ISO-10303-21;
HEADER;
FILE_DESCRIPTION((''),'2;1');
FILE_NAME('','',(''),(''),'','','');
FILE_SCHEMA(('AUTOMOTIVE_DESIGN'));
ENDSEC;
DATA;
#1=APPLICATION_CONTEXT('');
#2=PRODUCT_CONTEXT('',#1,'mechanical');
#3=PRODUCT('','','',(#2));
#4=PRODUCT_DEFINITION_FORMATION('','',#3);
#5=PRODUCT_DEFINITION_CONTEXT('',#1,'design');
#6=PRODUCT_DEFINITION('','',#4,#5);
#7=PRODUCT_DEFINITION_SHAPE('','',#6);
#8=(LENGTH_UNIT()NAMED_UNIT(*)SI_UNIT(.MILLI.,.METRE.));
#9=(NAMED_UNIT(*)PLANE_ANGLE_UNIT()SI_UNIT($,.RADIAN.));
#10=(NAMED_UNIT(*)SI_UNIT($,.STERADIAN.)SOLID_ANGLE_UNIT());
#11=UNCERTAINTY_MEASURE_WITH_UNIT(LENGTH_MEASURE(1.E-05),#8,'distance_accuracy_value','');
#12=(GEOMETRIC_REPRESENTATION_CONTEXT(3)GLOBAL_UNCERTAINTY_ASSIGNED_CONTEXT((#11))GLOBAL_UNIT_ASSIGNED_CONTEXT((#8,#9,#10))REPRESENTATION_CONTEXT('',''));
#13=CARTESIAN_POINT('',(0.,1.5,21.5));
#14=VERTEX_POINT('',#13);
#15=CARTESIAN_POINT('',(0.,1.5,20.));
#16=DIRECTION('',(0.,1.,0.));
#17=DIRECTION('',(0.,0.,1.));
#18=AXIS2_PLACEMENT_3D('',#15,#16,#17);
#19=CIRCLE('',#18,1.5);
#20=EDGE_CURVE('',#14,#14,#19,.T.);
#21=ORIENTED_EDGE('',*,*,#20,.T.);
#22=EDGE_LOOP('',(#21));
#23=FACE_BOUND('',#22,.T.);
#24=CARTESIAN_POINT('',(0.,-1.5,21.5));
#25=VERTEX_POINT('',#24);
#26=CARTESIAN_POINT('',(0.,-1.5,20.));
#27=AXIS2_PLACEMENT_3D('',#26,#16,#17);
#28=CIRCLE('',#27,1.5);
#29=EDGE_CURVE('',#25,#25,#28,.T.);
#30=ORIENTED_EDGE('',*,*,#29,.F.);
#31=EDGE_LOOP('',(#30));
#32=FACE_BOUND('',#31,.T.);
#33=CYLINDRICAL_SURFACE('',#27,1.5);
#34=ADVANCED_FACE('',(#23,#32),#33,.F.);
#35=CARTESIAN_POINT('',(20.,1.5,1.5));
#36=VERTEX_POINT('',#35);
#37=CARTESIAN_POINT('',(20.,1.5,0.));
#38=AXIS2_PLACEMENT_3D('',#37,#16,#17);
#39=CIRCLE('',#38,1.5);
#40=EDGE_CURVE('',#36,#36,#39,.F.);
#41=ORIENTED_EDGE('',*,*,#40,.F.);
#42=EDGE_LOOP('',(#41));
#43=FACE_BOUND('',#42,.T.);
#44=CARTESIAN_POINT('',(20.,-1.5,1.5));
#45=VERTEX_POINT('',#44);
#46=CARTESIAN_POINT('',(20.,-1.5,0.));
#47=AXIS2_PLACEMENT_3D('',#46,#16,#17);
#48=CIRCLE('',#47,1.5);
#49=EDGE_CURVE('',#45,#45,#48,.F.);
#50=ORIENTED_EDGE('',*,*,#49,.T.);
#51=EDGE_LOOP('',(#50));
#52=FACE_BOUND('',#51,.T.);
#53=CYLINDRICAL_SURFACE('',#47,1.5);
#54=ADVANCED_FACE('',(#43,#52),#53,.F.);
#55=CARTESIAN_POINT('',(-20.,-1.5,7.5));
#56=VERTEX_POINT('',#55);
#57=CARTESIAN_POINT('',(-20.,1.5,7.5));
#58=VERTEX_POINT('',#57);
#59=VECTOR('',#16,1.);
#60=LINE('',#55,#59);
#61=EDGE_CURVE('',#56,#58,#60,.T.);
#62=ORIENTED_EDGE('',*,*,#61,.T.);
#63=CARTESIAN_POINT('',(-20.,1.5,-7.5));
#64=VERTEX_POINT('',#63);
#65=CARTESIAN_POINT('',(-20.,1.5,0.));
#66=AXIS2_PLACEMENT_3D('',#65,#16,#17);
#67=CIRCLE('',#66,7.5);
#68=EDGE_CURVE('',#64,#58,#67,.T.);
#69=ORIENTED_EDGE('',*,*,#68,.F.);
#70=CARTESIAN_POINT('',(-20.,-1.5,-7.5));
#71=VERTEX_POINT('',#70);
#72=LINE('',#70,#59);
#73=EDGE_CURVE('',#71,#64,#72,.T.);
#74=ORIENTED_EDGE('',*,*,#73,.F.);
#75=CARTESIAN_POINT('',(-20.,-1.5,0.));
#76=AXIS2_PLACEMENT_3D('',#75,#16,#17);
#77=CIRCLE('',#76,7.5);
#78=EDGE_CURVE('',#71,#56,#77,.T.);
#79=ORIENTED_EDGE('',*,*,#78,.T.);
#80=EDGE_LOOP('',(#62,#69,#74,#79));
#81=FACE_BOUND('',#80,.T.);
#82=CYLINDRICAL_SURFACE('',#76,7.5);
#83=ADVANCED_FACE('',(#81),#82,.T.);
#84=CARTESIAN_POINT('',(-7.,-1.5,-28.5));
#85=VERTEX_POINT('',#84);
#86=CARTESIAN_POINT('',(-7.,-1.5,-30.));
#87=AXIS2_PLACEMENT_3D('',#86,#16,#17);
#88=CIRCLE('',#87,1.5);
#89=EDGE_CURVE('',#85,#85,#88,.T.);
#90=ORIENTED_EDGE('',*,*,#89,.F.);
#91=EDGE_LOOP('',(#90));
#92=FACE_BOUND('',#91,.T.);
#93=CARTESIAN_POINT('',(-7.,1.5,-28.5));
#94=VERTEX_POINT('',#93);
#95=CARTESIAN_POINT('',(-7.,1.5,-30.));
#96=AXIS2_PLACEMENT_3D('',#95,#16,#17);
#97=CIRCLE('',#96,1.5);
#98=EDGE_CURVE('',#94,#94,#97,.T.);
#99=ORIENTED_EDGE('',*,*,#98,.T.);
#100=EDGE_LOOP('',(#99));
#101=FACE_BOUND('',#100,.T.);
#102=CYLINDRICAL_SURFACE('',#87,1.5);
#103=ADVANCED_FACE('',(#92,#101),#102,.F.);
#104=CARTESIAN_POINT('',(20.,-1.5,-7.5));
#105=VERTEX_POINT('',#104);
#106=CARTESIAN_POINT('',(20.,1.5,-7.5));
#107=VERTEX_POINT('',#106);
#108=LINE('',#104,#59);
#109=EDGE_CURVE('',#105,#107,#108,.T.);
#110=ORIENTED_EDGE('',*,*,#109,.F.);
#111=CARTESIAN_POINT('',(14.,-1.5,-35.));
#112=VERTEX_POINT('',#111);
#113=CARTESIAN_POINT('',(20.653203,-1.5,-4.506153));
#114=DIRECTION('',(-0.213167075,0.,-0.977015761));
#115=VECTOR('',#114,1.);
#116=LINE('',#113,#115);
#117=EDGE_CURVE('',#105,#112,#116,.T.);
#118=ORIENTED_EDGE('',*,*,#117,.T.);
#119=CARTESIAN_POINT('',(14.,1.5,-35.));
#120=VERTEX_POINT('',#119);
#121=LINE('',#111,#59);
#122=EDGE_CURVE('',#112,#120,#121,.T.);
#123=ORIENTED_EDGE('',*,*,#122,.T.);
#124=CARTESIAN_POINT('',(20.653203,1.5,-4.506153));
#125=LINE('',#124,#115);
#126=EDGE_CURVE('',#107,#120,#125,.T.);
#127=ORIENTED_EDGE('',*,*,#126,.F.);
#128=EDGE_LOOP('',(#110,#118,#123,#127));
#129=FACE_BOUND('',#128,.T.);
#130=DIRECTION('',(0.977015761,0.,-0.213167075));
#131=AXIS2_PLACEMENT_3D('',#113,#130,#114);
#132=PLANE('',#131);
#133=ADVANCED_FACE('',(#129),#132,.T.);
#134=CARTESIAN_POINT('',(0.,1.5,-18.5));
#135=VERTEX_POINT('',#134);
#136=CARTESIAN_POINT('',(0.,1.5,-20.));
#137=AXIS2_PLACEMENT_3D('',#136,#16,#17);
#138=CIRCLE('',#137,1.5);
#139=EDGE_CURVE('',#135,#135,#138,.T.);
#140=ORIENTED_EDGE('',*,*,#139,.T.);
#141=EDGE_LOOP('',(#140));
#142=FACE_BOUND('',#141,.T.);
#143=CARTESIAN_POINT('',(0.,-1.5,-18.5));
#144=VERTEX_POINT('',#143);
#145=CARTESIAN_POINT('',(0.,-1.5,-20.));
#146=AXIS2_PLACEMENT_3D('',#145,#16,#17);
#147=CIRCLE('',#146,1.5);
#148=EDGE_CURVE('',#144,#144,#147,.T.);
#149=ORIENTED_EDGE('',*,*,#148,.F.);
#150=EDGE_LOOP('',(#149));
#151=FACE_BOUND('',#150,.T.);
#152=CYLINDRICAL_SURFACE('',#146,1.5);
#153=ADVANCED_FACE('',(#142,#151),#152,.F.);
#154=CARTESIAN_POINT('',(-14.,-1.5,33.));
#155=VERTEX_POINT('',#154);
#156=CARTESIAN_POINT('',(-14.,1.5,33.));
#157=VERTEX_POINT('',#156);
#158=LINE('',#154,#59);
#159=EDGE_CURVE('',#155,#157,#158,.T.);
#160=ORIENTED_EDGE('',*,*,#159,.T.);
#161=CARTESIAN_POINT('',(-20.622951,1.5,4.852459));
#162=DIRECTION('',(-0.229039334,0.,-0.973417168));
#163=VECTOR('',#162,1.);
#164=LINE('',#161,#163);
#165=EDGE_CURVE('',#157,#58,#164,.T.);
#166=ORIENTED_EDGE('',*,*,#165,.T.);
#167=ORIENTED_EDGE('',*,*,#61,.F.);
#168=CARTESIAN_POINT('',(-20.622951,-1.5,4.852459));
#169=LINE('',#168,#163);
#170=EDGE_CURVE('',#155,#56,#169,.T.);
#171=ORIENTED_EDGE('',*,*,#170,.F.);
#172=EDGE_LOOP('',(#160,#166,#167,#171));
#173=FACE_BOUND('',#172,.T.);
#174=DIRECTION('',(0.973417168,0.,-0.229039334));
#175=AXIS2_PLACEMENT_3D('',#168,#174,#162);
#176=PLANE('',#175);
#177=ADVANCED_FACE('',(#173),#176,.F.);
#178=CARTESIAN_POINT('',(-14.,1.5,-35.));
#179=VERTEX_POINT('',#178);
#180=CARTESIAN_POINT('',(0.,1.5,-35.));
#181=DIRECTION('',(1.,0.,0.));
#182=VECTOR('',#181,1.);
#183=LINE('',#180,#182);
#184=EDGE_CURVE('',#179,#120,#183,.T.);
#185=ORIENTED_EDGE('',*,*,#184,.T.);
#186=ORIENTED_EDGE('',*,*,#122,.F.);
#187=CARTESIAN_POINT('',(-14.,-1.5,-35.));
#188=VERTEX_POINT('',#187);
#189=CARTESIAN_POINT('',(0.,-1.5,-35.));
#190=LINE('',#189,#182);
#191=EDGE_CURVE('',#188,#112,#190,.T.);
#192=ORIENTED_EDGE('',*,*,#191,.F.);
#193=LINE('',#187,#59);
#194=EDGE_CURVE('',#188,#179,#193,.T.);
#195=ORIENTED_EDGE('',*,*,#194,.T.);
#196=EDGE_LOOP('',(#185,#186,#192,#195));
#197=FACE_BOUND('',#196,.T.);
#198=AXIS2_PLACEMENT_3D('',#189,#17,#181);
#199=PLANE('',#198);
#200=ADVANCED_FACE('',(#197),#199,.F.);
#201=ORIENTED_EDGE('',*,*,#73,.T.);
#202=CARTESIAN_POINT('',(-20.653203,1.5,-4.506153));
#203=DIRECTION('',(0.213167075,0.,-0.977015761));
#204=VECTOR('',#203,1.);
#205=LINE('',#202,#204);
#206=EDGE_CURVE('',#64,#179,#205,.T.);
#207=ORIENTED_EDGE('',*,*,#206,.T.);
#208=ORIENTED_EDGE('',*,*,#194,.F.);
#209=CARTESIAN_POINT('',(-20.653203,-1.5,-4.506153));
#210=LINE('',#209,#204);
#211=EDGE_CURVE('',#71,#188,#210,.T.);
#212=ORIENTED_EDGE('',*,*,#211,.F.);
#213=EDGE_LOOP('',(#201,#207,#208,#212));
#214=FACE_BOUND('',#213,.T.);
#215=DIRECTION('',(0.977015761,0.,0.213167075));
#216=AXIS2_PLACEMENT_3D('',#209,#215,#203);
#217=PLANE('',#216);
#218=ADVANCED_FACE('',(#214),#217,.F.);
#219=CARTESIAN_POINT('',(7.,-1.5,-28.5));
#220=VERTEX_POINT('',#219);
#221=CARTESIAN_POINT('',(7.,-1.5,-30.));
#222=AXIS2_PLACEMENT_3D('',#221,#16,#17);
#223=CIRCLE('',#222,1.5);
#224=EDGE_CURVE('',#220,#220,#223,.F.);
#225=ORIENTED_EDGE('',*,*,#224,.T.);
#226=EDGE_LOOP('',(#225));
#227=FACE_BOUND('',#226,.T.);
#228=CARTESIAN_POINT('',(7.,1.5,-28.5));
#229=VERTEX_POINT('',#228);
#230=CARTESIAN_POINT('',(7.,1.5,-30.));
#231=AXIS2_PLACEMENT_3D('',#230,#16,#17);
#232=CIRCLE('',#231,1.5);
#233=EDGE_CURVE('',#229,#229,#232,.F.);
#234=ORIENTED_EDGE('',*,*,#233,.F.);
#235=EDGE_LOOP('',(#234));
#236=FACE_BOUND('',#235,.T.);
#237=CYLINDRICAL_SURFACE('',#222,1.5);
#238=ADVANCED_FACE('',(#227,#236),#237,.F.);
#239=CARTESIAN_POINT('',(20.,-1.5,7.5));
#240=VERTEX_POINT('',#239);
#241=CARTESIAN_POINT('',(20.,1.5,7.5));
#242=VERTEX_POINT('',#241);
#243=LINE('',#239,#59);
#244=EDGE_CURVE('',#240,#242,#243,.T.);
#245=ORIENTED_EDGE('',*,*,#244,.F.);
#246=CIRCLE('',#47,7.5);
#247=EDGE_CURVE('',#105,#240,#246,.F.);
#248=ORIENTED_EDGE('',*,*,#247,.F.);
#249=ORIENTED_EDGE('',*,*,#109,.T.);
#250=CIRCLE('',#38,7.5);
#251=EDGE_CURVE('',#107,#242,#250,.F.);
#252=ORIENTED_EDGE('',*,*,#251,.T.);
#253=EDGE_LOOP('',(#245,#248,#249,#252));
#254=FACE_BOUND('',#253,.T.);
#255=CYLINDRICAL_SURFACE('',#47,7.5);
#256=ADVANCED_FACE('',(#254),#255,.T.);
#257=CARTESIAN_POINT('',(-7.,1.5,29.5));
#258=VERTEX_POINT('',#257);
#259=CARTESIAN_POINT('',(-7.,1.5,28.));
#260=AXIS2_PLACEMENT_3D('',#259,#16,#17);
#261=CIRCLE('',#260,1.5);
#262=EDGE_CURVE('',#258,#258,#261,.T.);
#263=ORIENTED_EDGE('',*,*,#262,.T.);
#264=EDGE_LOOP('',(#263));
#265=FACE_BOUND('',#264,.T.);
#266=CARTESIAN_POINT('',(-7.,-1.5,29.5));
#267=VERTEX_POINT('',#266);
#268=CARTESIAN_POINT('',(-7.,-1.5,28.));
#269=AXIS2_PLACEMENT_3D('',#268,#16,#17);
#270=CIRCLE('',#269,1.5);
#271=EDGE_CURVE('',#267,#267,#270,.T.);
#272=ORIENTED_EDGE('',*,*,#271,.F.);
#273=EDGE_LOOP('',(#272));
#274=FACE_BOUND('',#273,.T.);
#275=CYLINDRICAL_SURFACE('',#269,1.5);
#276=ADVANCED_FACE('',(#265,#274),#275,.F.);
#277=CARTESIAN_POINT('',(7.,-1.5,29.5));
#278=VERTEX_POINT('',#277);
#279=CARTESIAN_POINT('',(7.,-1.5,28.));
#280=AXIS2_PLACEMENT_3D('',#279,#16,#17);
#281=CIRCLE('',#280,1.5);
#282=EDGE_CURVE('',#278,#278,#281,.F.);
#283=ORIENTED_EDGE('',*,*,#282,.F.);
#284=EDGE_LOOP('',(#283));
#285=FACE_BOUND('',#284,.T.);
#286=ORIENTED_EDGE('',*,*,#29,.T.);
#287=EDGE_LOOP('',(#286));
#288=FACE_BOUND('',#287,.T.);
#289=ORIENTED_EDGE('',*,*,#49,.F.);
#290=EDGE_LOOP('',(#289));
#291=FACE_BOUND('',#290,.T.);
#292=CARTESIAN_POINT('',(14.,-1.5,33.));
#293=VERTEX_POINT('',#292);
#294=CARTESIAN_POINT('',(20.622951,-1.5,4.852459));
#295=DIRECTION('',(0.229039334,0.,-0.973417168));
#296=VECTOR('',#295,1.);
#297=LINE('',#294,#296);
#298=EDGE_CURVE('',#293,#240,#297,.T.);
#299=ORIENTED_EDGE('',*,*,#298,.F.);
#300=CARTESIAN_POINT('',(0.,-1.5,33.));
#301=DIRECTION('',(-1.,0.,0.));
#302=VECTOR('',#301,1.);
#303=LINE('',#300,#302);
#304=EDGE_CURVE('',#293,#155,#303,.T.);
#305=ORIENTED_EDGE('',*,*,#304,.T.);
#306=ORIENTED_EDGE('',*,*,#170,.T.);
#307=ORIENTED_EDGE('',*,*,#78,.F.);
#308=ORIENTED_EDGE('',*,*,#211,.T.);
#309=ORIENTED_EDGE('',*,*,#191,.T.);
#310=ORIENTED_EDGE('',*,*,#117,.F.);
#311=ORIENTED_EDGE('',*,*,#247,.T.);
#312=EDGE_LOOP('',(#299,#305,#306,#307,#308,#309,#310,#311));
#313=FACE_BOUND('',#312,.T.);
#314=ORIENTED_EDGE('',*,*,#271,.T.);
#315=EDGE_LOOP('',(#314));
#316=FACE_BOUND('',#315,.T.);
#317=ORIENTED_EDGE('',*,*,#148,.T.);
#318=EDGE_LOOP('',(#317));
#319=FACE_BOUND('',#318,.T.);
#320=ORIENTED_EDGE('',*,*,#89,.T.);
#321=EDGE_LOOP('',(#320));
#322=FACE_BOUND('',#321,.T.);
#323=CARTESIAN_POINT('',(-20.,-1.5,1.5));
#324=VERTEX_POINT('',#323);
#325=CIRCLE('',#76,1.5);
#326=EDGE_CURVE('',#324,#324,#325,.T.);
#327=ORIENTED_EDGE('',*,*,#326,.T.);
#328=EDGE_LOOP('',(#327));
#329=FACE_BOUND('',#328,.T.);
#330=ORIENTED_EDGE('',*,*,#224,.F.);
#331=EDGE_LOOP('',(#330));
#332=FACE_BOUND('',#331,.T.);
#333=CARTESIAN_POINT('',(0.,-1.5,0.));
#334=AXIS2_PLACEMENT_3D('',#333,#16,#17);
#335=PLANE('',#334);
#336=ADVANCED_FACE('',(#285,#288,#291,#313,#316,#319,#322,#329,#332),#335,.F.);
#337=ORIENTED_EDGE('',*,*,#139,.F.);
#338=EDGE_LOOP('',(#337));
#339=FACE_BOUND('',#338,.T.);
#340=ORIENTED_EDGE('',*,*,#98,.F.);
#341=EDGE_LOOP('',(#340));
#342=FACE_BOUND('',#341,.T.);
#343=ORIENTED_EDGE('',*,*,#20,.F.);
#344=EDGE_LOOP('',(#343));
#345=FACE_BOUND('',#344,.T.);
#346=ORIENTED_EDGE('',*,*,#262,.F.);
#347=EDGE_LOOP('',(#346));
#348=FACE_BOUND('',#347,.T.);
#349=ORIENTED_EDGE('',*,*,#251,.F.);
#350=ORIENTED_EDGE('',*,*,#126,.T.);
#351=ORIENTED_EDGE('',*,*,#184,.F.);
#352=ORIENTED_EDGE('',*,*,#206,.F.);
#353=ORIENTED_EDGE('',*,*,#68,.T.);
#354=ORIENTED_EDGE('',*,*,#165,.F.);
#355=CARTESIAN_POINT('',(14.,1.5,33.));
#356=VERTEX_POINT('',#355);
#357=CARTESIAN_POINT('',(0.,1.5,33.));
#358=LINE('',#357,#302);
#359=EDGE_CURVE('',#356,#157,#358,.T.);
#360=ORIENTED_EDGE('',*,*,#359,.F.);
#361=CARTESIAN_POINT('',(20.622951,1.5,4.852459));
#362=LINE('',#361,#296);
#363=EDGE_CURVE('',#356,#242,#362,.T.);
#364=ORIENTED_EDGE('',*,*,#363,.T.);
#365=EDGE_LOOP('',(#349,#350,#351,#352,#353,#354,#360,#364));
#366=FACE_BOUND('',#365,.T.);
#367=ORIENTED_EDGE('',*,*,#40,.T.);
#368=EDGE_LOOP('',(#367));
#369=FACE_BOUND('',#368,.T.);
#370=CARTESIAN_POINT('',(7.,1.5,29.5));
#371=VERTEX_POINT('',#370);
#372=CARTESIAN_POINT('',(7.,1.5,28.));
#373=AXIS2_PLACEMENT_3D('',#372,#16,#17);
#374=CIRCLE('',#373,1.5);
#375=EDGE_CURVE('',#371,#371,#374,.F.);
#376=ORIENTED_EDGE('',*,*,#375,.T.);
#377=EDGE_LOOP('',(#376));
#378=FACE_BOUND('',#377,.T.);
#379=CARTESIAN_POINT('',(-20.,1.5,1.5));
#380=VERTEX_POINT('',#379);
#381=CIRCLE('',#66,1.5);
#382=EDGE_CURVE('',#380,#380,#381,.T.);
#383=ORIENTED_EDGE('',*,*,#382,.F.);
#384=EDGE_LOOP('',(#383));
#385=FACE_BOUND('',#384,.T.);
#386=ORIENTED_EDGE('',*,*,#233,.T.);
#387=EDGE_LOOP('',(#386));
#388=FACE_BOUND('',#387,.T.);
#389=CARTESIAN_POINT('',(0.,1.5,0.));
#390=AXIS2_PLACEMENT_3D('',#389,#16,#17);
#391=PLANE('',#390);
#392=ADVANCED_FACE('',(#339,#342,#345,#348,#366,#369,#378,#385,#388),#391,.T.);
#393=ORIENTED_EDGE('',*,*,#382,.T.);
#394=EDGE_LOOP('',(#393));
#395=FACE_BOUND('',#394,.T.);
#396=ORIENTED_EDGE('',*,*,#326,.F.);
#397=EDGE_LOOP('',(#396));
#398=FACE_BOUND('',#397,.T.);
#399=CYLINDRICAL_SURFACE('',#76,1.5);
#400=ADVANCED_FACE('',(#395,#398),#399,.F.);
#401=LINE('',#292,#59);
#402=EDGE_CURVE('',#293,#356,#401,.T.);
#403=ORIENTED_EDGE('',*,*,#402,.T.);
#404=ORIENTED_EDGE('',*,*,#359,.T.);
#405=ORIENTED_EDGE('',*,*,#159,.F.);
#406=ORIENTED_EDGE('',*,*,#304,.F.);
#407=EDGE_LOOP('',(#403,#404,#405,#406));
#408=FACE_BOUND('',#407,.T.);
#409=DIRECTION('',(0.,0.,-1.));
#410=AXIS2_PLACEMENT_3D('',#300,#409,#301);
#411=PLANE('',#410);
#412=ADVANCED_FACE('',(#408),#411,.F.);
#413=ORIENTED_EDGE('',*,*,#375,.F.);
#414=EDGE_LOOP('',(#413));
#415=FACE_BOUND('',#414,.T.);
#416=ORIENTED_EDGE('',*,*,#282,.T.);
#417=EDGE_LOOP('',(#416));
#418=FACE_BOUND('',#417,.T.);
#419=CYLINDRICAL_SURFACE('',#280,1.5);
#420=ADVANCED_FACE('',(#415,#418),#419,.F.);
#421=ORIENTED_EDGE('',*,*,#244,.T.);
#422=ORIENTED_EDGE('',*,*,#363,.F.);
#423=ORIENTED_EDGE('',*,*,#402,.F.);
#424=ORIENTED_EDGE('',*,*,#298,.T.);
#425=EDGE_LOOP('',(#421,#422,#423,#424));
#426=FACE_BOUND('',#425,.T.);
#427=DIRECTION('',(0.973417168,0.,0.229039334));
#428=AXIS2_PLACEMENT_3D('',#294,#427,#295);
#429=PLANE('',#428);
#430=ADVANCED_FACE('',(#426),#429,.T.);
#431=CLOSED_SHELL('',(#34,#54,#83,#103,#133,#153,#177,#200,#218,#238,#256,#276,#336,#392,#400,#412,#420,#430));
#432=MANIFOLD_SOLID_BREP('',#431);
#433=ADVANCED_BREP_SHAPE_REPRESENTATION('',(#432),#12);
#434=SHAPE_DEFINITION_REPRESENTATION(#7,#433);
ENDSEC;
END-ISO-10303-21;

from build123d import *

# Parameters (mm, degrees)
BOSS_EXTRUDE1_DEPTH      = 1.5
BOSS_EXTRUDE1_DEPTH_BACK = 1.5
SKETCH1_R                = 1.5


with BuildPart() as part:
    # Sketch1 → Boss-Extrude1 (new, two sides: drawn at the far end of the back side and taken through both)
    with BuildSketch(Plane(origin=(0, 0, 0), x_dir=(1, 0, 0), z_dir=(0, 1, 0)).offset(-BOSS_EXTRUDE1_DEPTH_BACK)):
        with BuildLine():
            Line((-14, 35), (-20, 7.5))
            ThreePointArc((-20, 7.5), (-27.5, 0), (-20, -7.5))
            Line((-20, -7.5), (-14, -33))
            Line((-14, -33), (14, -33))
            Line((14, -33), (20, -7.5))
            ThreePointArc((20, -7.5), (27.5, 0), (20, 7.5))
            Line((20, 7.5), (14, 35))
            Line((14, 35), (-14, 35))
        make_face()
        with Locations((0, 20)):
            Circle(SKETCH1_R, mode=Mode.SUBTRACT)
        with Locations((0, -20)):
            Circle(SKETCH1_R, mode=Mode.SUBTRACT)
        with Locations((-7, -28)):
            Circle(SKETCH1_R, mode=Mode.SUBTRACT)
        with Locations((-7, 30)):
            Circle(SKETCH1_R, mode=Mode.SUBTRACT)
        with Locations((7, 30)):
            Circle(SKETCH1_R, mode=Mode.SUBTRACT)
        with Locations((7, -28)):
            Circle(SKETCH1_R, mode=Mode.SUBTRACT)
        with Locations((-20, 0)):
            Circle(SKETCH1_R, mode=Mode.SUBTRACT)
        with Locations((20, 0)):
            Circle(SKETCH1_R, mode=Mode.SUBTRACT)
    extrude(amount=BOSS_EXTRUDE1_DEPTH + BOSS_EXTRUDE1_DEPTH_BACK)


solid = part.part
